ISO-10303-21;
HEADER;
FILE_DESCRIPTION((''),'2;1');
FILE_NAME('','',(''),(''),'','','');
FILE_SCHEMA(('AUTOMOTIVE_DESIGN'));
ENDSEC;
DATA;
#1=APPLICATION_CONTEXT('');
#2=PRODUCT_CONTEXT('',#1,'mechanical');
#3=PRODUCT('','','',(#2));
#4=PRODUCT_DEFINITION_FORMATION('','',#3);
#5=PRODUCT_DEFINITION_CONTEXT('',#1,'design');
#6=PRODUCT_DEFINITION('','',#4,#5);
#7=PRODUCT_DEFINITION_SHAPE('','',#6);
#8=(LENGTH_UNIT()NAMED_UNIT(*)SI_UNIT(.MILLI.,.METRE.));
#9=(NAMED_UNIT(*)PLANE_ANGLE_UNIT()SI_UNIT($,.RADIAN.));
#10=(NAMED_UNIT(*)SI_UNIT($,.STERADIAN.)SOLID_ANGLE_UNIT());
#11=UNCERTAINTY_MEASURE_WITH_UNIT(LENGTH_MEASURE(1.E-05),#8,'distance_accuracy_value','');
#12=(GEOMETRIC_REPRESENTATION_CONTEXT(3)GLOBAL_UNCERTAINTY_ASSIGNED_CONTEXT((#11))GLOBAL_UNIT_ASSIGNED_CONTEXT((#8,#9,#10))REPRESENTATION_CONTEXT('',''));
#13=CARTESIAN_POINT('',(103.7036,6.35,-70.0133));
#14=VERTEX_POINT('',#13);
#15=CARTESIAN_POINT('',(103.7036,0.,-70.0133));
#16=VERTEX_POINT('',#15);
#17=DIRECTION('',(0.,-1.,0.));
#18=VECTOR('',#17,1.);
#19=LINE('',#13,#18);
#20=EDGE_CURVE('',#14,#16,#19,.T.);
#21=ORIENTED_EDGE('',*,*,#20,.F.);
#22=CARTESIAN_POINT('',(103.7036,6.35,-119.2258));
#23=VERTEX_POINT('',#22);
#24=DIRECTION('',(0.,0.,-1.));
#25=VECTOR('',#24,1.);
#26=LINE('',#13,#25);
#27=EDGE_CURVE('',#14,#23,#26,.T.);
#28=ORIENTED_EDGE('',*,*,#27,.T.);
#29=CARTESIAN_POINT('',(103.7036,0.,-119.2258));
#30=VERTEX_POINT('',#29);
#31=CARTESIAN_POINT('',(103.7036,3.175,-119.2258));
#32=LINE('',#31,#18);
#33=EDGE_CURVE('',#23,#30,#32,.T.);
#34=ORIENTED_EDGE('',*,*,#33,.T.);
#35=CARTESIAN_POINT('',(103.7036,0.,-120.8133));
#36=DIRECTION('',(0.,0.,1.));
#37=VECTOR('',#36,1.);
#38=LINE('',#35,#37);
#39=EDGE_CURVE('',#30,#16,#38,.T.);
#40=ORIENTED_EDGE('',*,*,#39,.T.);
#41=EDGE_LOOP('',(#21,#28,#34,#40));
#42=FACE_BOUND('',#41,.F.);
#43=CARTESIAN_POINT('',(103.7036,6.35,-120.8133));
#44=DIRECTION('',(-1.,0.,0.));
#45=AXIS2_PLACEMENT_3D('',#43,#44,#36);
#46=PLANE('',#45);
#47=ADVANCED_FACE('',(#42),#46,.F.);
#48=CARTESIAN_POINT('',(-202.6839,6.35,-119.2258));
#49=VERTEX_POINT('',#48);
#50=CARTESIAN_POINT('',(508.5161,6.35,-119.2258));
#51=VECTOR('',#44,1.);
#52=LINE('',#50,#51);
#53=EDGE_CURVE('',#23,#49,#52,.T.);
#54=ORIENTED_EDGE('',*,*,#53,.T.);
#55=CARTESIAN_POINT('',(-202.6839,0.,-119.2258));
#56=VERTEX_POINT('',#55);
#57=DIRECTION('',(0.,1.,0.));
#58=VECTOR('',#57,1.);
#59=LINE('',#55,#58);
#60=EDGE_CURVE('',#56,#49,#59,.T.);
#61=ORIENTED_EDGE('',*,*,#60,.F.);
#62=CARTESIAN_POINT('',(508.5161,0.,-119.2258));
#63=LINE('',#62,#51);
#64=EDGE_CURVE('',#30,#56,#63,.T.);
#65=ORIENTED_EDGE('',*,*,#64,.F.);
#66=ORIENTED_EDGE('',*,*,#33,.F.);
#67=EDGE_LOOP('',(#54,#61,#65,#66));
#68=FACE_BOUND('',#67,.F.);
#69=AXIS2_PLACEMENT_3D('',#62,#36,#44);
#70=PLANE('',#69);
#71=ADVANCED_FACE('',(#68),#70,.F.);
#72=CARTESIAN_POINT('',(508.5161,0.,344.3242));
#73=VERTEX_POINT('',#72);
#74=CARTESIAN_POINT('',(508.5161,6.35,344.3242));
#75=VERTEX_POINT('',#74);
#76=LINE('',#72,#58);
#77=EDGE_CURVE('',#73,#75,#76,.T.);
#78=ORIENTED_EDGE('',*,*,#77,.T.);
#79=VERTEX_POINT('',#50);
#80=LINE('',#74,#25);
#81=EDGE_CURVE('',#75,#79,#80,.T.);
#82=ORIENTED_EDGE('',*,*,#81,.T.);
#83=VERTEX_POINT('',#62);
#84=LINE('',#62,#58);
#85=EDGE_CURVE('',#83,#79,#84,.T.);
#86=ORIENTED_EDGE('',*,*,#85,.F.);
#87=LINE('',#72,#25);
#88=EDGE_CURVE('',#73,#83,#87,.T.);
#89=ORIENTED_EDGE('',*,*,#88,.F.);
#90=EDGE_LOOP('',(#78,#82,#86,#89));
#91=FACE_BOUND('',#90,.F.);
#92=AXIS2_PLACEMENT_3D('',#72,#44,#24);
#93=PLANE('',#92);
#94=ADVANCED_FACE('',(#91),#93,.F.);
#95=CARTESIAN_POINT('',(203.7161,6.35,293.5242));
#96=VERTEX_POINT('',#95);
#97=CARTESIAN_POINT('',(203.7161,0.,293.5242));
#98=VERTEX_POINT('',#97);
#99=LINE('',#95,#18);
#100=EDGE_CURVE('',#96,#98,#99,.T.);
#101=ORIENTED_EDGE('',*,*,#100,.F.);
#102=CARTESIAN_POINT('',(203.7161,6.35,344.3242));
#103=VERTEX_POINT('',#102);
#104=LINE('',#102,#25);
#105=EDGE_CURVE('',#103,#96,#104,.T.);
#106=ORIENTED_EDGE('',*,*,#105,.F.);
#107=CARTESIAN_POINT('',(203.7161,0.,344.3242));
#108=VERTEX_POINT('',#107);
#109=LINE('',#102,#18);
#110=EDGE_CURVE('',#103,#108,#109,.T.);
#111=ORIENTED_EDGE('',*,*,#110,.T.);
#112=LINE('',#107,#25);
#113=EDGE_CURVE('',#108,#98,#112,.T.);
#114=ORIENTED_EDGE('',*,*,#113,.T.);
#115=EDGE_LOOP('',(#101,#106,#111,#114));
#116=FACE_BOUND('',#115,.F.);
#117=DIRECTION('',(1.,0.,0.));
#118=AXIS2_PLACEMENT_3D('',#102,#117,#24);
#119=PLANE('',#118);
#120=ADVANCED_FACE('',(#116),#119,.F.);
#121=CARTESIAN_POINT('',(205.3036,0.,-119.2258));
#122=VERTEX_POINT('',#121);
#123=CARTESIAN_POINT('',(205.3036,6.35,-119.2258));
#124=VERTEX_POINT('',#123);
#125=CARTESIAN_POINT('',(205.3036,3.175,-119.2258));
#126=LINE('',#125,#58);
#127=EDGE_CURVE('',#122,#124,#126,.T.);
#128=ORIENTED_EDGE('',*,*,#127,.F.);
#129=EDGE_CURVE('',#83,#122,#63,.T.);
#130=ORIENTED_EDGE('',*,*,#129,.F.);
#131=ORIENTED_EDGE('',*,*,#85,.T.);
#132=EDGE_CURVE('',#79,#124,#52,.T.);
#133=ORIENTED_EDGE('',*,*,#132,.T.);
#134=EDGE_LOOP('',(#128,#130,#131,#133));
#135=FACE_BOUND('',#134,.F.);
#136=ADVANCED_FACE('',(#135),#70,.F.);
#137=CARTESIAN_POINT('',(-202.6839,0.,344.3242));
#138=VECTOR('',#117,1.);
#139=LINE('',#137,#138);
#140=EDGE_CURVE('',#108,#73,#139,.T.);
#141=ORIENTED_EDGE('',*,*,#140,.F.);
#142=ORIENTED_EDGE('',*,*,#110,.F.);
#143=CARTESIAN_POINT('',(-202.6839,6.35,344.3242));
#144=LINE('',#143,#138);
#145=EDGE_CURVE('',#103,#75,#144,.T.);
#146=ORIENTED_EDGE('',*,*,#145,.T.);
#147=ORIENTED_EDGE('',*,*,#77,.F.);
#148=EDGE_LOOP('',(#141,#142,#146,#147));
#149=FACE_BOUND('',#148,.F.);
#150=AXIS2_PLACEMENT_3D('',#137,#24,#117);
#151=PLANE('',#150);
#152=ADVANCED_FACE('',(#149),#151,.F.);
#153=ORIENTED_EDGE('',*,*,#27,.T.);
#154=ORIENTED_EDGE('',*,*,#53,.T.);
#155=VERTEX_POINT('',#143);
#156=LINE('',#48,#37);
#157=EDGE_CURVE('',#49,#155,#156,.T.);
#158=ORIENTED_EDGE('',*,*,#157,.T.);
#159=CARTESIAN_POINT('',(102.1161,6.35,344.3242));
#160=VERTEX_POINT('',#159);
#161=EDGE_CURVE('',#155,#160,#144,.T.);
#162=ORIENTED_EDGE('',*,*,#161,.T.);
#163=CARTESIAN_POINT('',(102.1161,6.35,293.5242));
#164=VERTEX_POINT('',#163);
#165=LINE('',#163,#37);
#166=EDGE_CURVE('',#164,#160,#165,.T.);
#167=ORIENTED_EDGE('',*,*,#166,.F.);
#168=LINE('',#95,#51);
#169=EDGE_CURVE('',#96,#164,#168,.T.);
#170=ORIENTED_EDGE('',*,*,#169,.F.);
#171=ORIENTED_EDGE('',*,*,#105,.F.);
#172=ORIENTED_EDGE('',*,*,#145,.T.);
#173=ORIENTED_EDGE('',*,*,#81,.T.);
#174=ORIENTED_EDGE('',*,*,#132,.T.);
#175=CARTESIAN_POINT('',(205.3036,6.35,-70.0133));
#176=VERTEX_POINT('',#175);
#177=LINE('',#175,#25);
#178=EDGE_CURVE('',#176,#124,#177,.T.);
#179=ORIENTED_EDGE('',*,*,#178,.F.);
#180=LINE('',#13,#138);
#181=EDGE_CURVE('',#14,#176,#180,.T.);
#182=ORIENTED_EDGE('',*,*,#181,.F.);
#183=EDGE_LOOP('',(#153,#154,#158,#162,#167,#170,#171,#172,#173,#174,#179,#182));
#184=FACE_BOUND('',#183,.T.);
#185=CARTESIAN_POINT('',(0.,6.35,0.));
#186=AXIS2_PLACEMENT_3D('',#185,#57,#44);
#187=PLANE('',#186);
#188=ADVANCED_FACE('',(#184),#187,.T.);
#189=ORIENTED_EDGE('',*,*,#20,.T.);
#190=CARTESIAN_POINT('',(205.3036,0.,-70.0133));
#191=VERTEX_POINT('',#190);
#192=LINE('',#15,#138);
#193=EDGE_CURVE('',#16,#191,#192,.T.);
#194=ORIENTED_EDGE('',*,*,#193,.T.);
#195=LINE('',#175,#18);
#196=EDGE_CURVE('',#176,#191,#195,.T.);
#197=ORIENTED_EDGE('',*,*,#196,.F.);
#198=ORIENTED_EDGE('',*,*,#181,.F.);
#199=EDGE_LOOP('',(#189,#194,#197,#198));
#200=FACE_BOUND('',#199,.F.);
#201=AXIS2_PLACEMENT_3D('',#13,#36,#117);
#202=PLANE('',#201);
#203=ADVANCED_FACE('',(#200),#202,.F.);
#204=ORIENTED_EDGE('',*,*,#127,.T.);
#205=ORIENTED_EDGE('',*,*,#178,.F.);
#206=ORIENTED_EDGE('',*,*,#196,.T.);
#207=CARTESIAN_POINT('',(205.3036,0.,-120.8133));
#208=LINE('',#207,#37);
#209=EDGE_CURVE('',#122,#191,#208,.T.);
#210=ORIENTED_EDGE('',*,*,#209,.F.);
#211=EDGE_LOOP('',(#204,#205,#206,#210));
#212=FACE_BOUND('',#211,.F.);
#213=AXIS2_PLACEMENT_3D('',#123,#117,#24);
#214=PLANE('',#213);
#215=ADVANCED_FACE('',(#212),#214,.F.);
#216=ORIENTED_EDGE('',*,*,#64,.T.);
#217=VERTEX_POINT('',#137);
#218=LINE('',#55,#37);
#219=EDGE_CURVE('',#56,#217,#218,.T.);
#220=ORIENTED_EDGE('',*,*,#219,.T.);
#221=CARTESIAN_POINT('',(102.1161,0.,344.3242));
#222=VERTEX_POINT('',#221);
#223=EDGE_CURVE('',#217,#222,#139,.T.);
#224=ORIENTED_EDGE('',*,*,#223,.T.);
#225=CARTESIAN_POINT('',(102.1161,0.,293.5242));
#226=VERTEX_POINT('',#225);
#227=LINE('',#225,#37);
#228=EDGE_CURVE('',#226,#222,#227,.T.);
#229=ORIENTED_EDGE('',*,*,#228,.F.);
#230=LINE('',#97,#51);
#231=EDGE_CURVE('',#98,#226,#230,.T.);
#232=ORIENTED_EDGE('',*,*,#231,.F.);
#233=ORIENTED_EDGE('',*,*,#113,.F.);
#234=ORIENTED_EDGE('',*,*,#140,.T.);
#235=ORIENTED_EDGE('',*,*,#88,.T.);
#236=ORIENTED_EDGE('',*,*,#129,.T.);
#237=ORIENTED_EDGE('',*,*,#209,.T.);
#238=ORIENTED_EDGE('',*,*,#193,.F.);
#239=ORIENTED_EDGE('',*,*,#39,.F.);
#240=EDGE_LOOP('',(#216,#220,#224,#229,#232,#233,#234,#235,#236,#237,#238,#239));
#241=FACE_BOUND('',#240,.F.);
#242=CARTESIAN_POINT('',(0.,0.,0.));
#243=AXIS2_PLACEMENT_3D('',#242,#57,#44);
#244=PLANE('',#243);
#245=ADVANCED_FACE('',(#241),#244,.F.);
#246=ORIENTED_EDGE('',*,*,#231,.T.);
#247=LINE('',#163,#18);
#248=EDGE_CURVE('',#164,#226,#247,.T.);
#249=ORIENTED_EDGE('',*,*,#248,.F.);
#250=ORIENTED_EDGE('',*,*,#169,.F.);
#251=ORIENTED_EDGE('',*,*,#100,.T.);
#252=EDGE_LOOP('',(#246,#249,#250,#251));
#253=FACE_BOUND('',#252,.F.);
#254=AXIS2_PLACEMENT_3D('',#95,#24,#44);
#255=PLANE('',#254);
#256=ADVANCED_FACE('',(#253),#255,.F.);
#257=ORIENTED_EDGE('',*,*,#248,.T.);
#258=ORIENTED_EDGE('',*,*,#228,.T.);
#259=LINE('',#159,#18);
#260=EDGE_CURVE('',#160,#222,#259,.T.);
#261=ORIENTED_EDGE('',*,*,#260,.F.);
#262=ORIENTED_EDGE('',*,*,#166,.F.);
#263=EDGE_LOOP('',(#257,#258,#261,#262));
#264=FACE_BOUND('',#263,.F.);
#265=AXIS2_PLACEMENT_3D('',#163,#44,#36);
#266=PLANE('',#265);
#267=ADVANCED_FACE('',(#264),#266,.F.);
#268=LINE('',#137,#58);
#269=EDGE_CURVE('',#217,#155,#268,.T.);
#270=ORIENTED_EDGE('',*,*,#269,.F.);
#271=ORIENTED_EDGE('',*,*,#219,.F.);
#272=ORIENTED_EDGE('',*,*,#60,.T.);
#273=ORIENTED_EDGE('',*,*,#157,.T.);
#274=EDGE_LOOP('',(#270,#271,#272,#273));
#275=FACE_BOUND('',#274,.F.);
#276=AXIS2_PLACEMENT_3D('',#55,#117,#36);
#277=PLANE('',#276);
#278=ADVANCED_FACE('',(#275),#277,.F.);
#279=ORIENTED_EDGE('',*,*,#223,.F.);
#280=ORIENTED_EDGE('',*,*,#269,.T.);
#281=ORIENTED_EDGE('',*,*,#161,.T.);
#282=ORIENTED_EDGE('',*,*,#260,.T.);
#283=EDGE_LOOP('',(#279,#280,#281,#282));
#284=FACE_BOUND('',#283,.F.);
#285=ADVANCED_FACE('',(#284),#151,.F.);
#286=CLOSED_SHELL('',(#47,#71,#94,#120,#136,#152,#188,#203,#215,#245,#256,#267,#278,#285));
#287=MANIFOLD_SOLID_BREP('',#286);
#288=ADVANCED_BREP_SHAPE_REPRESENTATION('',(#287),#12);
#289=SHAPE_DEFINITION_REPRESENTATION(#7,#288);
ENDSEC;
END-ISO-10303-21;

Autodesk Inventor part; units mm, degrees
ref_plane "YZ Plane" through (0, 0, 0) normal (1, 0, 0) x (0, 1, 0)
ref_plane "XZ Plane" through (0, 0, 0) normal (0, 1, 0) x (-1, 0, 0)
ref_plane "XY Plane" through (0, 0, 0) normal (0, 0, 1) x (1, 0, 0)
sketch "Sketch1" plane through (0, 0, 0) normal (0, 1, 0) x (-1, 0, 0)
  point P0 (0, 0)
sketch "Sketch2" plane through (0, 0, 0) normal (0, 1, 0) x (-1, 0, 0)
  line L0 (202.6839, 344.3242) -> (-508.5161, 344.3242)
  line L1 (-508.5161, 344.3242) -> (-508.5161, -119.2258)
  line L2 (-508.5161, -119.2258) -> (202.6839, -119.2258)
  line L3 (202.6839, -119.2258) -> (202.6839, 344.3242)
  point P0 (0, 0)
  dimension "d0" = 463.55
  dimension "d1" = 711.2
extrude "Extrusion1" add sketch "Sketch2" along normal blind 6.35
sketch "Sketch3" plane through (0, 6.35, 0) normal (0, 1, 0) x (1, 0, 0)
  line L0 (102.1161, -344.3242) -> (203.7161, -344.3242)
  line L1 (203.7161, -344.3242) -> (203.7161, -293.5242)
  line L2 (203.7161, -293.5242) -> (102.1161, -293.5242)
  line L3 (102.1161, -293.5242) -> (102.1161, -344.3242)
  line L4 (-202.6839, 119.2258) -> (-202.6839, -344.3242) projected
  line L5 (508.5161, 119.2258) -> (-202.6839, 119.2258) projected
  line L6 (103.7036, 70.0133) -> (205.3036, 70.0133)
  line L7 (205.3036, 70.0133) -> (205.3036, 120.8133)
  line L8 (205.3036, 120.8133) -> (103.7036, 120.8133)
  line L9 (103.7036, 120.8133) -> (103.7036, 70.0133)
  line L10 (-202.6839, -344.3242) -> (508.5161, -344.3242) projected
  point P0 (0, 0)
  dimension "d4" = 50.8
  dimension "d5" = 101.6
  dimension "d6" = 304.8
  dimension "d8" = 50.8
  dimension "d9" = 101.6
  dimension "d10" = 0
extrude "Extrusion2" cut sketch "Sketch3" against normal blind 6.35
sketch "Sketch4" plane through (-202.6839, 0, 344.3242) normal (0, 0, 1) x (1, 0, 0)
  point P0 (202.6839, 0)
properties part number "skid plate"
